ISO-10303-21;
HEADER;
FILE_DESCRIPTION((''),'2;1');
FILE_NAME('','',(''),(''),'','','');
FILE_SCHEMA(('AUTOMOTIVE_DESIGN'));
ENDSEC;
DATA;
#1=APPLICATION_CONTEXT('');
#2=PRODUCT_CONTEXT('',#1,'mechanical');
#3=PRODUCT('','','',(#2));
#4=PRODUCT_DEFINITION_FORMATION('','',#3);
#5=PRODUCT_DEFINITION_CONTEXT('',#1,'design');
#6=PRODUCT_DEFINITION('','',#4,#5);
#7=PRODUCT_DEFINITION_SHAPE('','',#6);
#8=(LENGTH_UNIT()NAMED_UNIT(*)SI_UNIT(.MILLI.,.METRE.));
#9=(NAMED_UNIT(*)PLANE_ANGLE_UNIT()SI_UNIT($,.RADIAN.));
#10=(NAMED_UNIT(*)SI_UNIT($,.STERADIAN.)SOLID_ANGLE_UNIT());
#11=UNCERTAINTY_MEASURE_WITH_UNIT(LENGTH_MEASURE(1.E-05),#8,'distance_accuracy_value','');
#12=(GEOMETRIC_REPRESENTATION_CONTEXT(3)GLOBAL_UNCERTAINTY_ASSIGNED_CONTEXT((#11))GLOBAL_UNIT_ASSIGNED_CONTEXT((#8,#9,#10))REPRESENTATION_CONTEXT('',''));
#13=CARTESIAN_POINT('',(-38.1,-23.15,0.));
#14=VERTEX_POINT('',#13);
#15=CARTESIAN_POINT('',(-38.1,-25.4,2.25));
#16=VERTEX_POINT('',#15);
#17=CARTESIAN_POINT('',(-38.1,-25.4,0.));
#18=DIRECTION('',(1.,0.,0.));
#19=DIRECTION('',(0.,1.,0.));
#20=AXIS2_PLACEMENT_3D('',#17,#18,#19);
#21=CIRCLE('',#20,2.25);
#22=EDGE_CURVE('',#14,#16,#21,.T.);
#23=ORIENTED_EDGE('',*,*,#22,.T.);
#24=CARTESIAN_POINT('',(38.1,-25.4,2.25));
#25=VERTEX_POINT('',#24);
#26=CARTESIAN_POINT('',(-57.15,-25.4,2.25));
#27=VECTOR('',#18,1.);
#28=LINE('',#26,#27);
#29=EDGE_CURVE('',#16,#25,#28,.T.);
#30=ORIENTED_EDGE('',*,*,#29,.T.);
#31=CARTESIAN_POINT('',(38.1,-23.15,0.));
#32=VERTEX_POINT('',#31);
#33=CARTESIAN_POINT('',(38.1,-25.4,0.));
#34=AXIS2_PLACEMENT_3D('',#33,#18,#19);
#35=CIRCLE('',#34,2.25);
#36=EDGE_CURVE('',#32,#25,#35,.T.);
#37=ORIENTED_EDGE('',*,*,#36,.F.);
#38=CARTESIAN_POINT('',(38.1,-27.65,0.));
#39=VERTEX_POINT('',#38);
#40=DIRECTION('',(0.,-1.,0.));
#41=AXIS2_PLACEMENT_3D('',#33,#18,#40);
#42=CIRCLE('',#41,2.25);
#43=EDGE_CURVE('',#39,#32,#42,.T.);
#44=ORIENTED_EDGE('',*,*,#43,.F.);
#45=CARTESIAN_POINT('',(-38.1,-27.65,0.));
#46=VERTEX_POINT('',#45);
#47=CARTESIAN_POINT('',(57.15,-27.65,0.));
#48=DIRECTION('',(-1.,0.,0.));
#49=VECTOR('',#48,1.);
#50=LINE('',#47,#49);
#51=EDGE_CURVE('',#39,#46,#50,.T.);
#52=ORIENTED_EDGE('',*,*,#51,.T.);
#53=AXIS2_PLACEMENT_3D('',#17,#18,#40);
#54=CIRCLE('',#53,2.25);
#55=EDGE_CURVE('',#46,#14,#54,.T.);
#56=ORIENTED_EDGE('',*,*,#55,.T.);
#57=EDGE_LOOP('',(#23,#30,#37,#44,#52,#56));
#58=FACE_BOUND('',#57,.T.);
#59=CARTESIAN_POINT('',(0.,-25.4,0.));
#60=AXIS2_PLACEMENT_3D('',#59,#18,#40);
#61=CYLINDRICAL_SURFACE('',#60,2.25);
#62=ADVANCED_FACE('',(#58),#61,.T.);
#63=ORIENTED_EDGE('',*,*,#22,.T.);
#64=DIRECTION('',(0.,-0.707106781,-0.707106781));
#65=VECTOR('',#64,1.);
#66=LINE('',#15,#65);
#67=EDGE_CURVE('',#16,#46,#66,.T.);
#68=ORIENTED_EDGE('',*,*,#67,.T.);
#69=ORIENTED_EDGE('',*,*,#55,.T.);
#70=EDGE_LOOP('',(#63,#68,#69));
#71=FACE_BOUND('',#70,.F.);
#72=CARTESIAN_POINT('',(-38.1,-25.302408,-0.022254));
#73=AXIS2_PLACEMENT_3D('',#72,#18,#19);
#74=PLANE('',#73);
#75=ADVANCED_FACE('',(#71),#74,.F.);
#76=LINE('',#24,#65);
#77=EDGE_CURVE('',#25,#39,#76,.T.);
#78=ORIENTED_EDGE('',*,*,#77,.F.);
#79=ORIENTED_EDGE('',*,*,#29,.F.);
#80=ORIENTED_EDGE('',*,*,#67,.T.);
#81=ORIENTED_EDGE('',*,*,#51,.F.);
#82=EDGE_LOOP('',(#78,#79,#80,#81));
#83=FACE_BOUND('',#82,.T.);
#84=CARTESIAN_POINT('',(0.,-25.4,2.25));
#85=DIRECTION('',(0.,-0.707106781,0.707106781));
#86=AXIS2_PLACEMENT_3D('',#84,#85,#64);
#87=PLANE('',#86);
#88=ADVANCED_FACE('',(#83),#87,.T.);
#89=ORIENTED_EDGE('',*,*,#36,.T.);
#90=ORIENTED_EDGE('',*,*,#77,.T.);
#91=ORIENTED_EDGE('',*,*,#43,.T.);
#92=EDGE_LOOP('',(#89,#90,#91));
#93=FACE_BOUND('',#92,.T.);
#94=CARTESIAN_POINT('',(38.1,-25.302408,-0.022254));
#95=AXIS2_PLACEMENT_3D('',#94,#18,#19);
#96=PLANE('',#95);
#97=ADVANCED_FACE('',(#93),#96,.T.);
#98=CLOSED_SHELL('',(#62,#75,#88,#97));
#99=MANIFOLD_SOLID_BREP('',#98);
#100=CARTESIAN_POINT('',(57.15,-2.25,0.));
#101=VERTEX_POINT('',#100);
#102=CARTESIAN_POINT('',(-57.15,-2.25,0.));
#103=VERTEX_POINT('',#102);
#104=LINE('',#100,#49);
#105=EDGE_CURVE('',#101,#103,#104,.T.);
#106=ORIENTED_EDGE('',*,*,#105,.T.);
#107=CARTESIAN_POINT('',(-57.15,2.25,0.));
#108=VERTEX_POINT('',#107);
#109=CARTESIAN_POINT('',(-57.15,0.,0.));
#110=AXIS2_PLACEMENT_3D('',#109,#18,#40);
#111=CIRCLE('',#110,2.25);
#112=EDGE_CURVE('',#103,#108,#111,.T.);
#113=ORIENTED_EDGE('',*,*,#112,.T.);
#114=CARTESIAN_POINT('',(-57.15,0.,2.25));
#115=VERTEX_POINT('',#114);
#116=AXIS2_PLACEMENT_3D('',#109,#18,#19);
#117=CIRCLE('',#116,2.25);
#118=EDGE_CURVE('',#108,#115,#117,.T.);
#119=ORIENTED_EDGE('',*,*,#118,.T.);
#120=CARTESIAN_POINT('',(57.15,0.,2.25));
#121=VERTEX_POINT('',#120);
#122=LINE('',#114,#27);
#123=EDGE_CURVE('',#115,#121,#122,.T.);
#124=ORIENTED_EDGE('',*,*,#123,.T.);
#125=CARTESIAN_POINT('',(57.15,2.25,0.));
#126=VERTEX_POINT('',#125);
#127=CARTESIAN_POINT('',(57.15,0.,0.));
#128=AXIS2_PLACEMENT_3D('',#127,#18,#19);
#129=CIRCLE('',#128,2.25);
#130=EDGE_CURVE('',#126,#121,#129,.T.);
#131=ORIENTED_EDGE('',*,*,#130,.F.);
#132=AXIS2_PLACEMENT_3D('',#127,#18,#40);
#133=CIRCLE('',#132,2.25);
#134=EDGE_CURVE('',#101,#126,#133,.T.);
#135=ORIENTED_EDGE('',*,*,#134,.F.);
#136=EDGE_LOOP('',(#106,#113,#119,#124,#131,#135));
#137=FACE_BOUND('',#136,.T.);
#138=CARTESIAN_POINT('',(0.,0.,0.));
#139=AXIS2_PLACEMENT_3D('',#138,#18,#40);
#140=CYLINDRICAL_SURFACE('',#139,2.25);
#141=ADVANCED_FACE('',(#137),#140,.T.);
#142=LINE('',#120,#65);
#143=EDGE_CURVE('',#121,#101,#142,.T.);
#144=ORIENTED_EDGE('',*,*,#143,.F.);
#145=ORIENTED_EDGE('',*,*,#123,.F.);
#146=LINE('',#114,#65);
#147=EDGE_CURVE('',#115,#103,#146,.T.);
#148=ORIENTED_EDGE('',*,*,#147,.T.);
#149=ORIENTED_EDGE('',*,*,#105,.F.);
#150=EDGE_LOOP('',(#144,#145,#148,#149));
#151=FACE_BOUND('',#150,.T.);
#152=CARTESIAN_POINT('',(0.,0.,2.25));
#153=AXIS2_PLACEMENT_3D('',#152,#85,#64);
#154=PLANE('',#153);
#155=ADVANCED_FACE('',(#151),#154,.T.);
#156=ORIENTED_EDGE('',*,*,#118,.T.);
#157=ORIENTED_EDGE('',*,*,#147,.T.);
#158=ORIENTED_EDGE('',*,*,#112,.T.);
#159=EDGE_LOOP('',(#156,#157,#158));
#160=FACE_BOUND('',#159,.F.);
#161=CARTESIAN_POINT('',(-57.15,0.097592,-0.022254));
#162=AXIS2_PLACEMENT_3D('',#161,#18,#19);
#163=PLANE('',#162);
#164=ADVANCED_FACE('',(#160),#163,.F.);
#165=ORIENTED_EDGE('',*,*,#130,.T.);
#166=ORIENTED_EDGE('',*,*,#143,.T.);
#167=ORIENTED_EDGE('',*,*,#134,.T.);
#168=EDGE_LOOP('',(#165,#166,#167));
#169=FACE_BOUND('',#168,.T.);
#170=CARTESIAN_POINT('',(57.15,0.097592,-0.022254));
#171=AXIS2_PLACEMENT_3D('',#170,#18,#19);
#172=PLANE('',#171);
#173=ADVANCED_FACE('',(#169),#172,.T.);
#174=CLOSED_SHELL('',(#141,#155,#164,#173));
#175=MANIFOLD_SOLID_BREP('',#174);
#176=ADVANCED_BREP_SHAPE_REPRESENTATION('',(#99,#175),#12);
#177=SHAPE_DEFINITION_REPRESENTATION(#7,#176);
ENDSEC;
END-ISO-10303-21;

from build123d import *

# Parameters (mm, degrees)
F1_DEPTH = 57.15
F3_DEPTH = 19.05
F4_DEPTH = 19.05


with BuildPart() as f1:
    # F0 (on Right) → F1 (new body, symmetric)
    with BuildSketch(Plane.YZ):
        with BuildLine():
            ThreePointArc((-2.25, 0), (0, -2.25), (2.25, 0))
            ThreePointArc((2.25, 0), (1.5909902577, 1.5909902577), (0, 2.25))
            Line((0, 2.25), (-2.25, 0))
        make_face()
    extrude(amount=F1_DEPTH, both=True)


with BuildPart() as f2_1:
    # F2: copy of F1
    add(f1.part.moved(Location((0, -25.4, 0))))

    # F3 (cut): a face of the model
    f3_faces = [f2_1.faces().sort_by_distance(p)[0] for p in [
        (57.15, -25.2687064199, -0.1312935801),
    ]]
    extrude(f3_faces, amount=-F3_DEPTH, mode=Mode.SUBTRACT)

    # F4 (cut): a face of the model
    f4_faces = [f2_1.faces().sort_by_distance(p)[0] for p in [
        (-57.15, -25.2687064199, -0.1312935801),
    ]]
    extrude(f4_faces, amount=-F4_DEPTH, mode=Mode.SUBTRACT)


solid = Compound([f1.part, f2_1.part])
